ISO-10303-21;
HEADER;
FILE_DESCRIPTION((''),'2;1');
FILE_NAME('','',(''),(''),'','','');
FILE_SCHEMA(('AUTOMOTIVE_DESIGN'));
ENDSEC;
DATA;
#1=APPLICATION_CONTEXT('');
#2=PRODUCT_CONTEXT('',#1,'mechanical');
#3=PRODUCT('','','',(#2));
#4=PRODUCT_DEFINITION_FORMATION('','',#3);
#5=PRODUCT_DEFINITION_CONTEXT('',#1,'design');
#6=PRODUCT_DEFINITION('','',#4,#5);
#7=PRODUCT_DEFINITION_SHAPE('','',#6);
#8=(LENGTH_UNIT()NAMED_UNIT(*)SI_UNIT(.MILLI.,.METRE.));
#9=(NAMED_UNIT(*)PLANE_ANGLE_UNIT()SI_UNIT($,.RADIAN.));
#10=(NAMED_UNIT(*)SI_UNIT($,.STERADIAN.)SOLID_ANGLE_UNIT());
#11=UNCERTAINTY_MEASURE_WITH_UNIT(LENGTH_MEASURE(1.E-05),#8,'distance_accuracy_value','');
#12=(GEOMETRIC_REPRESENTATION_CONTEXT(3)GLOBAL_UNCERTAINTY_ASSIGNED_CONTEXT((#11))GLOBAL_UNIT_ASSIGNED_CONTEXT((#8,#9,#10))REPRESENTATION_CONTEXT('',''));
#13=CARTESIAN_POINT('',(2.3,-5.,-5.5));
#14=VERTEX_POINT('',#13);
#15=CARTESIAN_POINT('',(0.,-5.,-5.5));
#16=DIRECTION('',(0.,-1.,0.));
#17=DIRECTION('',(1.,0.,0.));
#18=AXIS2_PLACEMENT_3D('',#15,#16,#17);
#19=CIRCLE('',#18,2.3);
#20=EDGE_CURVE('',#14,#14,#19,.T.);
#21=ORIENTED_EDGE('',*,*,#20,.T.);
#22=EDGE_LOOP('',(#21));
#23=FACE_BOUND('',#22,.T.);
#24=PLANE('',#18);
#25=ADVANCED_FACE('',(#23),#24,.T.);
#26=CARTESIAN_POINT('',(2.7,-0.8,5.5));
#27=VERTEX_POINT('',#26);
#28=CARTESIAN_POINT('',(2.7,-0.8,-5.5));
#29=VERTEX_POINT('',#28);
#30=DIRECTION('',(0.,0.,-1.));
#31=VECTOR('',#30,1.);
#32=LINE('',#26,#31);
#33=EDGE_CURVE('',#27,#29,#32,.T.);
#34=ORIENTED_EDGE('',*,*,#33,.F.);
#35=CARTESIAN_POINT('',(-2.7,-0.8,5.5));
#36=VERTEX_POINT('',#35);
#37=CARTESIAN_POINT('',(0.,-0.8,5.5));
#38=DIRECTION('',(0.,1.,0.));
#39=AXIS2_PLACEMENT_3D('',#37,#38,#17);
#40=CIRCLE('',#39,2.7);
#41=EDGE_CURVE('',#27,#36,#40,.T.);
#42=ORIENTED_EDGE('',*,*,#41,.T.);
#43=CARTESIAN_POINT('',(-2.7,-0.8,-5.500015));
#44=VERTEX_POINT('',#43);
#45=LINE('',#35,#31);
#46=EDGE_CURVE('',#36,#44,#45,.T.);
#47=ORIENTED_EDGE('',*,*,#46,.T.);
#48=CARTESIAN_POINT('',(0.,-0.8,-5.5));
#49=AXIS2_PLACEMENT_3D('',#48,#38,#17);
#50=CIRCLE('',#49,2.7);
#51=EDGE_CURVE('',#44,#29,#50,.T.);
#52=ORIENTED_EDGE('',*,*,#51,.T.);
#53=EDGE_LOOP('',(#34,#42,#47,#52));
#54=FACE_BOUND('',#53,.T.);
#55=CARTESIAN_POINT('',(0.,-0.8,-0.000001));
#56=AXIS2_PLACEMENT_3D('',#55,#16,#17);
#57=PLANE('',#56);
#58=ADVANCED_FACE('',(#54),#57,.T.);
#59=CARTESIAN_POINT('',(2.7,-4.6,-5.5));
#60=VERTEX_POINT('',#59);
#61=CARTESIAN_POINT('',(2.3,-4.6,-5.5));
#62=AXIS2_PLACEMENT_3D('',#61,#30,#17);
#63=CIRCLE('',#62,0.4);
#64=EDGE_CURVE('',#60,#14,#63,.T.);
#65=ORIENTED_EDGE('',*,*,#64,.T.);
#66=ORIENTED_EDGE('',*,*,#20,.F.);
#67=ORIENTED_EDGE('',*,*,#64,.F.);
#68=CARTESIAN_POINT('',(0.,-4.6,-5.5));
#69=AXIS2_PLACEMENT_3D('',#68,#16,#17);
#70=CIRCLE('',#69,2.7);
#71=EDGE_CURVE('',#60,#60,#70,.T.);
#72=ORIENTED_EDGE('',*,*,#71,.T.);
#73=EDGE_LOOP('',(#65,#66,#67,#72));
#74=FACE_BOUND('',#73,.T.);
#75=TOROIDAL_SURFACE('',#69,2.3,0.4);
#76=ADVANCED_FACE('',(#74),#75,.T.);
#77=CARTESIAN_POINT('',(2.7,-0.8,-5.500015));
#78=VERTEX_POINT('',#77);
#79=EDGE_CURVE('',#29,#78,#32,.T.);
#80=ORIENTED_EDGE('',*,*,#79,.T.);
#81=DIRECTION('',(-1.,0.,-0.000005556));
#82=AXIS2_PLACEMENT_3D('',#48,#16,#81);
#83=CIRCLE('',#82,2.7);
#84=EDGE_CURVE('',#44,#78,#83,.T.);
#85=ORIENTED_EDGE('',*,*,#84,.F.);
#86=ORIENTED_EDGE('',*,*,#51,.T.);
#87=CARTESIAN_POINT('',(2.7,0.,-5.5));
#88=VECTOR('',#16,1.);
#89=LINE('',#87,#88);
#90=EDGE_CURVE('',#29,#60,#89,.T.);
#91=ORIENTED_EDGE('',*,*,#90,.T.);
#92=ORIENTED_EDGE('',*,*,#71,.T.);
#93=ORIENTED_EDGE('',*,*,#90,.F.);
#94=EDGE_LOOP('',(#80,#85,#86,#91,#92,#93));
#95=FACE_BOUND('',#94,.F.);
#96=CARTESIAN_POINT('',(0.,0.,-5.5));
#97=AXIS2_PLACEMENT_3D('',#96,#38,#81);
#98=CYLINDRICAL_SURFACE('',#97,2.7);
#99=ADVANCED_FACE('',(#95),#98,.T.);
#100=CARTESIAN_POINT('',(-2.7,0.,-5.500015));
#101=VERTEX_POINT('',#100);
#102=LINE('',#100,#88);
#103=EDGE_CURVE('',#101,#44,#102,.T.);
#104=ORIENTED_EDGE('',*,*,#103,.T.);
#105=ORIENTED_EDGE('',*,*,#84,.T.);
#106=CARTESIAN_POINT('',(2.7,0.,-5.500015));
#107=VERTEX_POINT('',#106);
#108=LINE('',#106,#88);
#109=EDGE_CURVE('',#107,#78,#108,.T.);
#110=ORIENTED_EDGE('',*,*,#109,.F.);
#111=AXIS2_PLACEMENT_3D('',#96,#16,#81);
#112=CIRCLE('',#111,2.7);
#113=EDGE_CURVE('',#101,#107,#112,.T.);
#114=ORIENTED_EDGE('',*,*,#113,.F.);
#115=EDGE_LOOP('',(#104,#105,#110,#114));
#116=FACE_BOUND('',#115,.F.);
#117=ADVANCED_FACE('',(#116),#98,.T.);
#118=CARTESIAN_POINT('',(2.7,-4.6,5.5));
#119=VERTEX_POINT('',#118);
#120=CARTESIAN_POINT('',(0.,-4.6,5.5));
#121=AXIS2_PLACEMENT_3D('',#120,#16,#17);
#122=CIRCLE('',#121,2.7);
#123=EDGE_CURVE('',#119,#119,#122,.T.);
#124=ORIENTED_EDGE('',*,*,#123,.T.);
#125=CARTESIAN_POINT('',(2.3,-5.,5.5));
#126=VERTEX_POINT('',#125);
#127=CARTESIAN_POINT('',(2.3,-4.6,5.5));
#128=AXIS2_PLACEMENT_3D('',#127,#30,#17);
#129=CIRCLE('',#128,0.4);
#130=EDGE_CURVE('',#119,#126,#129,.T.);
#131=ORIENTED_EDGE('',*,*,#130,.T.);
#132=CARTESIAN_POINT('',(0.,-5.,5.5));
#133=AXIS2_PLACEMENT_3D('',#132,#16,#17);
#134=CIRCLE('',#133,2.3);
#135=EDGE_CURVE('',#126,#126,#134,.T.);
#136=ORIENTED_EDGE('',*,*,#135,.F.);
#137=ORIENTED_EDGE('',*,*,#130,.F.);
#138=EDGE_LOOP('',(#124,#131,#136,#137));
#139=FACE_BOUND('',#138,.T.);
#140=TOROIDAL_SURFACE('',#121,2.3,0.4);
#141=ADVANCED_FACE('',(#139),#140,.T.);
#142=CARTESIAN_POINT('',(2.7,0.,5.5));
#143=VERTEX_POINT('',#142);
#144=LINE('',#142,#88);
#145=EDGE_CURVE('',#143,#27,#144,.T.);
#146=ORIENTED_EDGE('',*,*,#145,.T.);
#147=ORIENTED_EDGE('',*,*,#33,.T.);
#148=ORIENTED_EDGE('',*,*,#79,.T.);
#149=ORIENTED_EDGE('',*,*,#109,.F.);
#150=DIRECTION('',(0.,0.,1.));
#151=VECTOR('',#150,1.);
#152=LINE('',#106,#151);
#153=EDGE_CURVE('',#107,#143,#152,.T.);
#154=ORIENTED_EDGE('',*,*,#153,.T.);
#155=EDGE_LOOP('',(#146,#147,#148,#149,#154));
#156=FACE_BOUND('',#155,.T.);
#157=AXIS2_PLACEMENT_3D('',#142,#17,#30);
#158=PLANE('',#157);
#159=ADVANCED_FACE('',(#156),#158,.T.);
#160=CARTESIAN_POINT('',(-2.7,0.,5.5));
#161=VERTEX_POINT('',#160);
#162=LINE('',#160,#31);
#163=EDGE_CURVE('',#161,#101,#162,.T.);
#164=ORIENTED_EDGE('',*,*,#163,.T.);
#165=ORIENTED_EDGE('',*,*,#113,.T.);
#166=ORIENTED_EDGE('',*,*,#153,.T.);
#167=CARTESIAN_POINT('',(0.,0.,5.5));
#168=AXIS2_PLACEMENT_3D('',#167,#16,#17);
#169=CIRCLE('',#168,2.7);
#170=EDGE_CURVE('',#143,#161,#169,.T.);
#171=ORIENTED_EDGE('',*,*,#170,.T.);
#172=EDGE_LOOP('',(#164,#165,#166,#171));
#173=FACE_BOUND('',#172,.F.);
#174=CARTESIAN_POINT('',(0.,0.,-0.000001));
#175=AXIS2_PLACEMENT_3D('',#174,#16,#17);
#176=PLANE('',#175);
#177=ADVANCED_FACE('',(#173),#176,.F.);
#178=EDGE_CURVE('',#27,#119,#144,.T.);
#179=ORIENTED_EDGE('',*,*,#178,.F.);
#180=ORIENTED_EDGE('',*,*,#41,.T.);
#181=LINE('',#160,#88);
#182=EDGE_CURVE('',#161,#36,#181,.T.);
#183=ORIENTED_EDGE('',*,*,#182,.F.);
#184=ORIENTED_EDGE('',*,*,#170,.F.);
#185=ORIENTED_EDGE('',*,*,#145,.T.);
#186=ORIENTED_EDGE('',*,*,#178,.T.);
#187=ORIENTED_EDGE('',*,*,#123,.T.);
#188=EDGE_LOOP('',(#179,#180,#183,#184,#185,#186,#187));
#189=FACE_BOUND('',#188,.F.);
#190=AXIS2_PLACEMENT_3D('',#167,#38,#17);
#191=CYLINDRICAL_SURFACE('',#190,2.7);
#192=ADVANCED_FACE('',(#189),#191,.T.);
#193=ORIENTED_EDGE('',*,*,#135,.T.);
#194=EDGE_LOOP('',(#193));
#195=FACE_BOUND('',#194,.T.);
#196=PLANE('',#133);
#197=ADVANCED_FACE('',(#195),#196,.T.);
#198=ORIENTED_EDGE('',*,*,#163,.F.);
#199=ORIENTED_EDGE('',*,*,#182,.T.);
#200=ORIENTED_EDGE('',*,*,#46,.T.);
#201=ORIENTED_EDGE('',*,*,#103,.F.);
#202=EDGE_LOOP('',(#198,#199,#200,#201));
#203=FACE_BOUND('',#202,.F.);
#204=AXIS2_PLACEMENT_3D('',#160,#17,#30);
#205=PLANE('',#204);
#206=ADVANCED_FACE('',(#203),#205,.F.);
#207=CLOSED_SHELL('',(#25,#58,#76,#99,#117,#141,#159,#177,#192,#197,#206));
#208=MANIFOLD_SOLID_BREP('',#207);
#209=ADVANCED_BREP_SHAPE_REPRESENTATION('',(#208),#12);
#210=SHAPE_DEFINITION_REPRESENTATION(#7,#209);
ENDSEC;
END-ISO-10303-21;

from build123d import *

# Parameters (mm, degrees)
PAD002_DEPTH = 0.8
SKETCH079_R  = 2.7
PAD003_DEPTH = 5
FILLET001_R  = 0.4


with BuildPart() as part:
    # Sketch078 → Pad002 (new body)
    with BuildSketch(Plane.XZ):
        with BuildLine():
            ThreePointArc((2.7, 5.5), (0, 8.2), (-2.7, 5.5))
            Line((-2.7, 5.5), (-2.7, -5.500015))
            ThreePointArc((-2.7, -5.500015), (0, -8.2), (2.7, -5.500015))
            Line((2.7, 5.5), (2.7, -5.500015))
        make_face()
    extrude(amount=PAD002_DEPTH)

    # Sketch079 → Pad003 (join)
    with BuildSketch(Plane.XZ):
        with Locations((0, 5.5)):
            Circle(SKETCH079_R)
        with Locations((0, -5.5)):
            Circle(SKETCH079_R)
    extrude(amount=PAD003_DEPTH)

    # Fillet001
    fillet001_edges = [part.edges().sort_by_distance(p)[0] for p in [
        (-2.7, -5, -5.5),
        (-2.7, -5, 5.5),
    ]]
    fillet(fillet001_edges, radius=FILLET001_R)


solid = part.part
